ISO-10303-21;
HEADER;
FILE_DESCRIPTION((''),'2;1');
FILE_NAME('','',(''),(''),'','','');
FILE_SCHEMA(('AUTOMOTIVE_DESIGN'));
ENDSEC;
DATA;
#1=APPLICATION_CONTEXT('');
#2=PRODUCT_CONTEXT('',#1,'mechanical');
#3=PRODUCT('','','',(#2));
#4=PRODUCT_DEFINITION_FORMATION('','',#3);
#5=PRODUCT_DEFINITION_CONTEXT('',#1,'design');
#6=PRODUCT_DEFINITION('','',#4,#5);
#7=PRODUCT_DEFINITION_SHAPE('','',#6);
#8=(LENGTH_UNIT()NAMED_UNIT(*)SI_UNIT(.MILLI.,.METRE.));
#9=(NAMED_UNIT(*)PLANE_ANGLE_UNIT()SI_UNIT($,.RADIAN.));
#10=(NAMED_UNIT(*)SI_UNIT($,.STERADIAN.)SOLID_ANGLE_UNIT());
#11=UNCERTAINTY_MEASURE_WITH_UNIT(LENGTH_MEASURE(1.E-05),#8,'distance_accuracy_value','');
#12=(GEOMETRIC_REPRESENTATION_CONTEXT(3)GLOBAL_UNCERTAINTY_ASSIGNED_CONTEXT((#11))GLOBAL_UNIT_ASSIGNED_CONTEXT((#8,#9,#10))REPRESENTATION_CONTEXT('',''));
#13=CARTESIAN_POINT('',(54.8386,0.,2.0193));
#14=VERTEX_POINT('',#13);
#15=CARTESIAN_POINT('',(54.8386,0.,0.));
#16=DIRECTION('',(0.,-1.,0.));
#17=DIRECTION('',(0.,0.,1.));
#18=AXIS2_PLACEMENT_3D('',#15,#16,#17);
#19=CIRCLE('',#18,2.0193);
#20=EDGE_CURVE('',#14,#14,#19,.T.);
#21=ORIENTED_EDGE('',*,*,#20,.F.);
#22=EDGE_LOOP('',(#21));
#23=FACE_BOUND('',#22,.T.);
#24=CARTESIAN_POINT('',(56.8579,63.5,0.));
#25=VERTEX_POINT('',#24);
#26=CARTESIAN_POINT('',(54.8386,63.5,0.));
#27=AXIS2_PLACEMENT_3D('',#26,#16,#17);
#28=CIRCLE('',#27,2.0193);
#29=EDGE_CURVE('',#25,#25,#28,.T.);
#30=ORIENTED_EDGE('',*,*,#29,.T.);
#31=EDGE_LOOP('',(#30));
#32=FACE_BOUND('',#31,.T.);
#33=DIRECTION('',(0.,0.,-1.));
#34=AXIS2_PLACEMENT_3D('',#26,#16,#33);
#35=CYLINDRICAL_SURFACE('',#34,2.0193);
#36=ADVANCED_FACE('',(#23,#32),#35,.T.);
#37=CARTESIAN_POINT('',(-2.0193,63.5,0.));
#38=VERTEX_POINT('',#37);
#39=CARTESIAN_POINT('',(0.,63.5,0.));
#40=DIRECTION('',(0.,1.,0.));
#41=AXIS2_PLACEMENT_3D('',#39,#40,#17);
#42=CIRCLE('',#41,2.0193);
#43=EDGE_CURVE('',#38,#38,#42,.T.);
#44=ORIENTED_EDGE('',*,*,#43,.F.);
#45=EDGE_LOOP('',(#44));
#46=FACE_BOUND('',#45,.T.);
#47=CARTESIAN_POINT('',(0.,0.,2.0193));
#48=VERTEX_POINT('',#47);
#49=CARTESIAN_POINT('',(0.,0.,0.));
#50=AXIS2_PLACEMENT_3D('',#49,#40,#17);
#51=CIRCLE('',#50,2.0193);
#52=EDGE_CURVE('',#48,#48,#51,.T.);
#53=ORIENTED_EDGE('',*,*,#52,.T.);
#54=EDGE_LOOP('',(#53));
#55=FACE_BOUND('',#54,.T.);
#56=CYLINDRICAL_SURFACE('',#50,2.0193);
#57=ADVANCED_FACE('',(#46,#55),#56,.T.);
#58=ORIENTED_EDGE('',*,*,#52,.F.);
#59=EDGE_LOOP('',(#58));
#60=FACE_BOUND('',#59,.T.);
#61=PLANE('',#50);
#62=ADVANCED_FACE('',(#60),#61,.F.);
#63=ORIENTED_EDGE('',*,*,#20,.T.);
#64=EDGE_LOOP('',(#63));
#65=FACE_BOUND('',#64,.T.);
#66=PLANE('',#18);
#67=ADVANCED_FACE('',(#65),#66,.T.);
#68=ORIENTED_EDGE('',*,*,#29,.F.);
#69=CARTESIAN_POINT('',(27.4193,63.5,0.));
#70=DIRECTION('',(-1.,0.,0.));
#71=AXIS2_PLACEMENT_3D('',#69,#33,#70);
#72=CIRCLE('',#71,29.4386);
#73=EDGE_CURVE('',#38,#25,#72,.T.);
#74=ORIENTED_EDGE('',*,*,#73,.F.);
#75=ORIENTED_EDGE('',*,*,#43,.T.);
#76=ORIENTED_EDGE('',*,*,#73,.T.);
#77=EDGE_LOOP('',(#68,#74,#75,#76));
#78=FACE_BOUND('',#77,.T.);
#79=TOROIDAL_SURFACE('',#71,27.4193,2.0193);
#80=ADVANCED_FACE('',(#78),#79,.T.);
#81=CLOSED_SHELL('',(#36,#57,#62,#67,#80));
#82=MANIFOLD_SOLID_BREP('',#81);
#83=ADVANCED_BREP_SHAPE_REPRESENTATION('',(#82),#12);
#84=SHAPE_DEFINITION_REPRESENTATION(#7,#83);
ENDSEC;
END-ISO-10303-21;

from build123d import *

# Parameters (mm, degrees)
SKETCH2_R = 2.0193


with BuildPart() as part:
    # Sweep3: sweep along a path in Sketch1
    with BuildLine(Plane.XY) as sweep3_path:
        Line((0, 0), (0, 63.5))
        ThreePointArc((0, 63.5), (27.4193, 90.9193), (54.8386, 63.5))
        Line((54.8386, 63.5), (54.8386, 0))
    # Sketch2 → Sweep3 (sweep)
    with BuildSketch(Plane(origin=(0, 0, 0), x_dir=(1, 0, 0), z_dir=(0, 1, 0))):
        Circle(SKETCH2_R)
    sweep(path=sweep3_path.line)


solid = part.part
